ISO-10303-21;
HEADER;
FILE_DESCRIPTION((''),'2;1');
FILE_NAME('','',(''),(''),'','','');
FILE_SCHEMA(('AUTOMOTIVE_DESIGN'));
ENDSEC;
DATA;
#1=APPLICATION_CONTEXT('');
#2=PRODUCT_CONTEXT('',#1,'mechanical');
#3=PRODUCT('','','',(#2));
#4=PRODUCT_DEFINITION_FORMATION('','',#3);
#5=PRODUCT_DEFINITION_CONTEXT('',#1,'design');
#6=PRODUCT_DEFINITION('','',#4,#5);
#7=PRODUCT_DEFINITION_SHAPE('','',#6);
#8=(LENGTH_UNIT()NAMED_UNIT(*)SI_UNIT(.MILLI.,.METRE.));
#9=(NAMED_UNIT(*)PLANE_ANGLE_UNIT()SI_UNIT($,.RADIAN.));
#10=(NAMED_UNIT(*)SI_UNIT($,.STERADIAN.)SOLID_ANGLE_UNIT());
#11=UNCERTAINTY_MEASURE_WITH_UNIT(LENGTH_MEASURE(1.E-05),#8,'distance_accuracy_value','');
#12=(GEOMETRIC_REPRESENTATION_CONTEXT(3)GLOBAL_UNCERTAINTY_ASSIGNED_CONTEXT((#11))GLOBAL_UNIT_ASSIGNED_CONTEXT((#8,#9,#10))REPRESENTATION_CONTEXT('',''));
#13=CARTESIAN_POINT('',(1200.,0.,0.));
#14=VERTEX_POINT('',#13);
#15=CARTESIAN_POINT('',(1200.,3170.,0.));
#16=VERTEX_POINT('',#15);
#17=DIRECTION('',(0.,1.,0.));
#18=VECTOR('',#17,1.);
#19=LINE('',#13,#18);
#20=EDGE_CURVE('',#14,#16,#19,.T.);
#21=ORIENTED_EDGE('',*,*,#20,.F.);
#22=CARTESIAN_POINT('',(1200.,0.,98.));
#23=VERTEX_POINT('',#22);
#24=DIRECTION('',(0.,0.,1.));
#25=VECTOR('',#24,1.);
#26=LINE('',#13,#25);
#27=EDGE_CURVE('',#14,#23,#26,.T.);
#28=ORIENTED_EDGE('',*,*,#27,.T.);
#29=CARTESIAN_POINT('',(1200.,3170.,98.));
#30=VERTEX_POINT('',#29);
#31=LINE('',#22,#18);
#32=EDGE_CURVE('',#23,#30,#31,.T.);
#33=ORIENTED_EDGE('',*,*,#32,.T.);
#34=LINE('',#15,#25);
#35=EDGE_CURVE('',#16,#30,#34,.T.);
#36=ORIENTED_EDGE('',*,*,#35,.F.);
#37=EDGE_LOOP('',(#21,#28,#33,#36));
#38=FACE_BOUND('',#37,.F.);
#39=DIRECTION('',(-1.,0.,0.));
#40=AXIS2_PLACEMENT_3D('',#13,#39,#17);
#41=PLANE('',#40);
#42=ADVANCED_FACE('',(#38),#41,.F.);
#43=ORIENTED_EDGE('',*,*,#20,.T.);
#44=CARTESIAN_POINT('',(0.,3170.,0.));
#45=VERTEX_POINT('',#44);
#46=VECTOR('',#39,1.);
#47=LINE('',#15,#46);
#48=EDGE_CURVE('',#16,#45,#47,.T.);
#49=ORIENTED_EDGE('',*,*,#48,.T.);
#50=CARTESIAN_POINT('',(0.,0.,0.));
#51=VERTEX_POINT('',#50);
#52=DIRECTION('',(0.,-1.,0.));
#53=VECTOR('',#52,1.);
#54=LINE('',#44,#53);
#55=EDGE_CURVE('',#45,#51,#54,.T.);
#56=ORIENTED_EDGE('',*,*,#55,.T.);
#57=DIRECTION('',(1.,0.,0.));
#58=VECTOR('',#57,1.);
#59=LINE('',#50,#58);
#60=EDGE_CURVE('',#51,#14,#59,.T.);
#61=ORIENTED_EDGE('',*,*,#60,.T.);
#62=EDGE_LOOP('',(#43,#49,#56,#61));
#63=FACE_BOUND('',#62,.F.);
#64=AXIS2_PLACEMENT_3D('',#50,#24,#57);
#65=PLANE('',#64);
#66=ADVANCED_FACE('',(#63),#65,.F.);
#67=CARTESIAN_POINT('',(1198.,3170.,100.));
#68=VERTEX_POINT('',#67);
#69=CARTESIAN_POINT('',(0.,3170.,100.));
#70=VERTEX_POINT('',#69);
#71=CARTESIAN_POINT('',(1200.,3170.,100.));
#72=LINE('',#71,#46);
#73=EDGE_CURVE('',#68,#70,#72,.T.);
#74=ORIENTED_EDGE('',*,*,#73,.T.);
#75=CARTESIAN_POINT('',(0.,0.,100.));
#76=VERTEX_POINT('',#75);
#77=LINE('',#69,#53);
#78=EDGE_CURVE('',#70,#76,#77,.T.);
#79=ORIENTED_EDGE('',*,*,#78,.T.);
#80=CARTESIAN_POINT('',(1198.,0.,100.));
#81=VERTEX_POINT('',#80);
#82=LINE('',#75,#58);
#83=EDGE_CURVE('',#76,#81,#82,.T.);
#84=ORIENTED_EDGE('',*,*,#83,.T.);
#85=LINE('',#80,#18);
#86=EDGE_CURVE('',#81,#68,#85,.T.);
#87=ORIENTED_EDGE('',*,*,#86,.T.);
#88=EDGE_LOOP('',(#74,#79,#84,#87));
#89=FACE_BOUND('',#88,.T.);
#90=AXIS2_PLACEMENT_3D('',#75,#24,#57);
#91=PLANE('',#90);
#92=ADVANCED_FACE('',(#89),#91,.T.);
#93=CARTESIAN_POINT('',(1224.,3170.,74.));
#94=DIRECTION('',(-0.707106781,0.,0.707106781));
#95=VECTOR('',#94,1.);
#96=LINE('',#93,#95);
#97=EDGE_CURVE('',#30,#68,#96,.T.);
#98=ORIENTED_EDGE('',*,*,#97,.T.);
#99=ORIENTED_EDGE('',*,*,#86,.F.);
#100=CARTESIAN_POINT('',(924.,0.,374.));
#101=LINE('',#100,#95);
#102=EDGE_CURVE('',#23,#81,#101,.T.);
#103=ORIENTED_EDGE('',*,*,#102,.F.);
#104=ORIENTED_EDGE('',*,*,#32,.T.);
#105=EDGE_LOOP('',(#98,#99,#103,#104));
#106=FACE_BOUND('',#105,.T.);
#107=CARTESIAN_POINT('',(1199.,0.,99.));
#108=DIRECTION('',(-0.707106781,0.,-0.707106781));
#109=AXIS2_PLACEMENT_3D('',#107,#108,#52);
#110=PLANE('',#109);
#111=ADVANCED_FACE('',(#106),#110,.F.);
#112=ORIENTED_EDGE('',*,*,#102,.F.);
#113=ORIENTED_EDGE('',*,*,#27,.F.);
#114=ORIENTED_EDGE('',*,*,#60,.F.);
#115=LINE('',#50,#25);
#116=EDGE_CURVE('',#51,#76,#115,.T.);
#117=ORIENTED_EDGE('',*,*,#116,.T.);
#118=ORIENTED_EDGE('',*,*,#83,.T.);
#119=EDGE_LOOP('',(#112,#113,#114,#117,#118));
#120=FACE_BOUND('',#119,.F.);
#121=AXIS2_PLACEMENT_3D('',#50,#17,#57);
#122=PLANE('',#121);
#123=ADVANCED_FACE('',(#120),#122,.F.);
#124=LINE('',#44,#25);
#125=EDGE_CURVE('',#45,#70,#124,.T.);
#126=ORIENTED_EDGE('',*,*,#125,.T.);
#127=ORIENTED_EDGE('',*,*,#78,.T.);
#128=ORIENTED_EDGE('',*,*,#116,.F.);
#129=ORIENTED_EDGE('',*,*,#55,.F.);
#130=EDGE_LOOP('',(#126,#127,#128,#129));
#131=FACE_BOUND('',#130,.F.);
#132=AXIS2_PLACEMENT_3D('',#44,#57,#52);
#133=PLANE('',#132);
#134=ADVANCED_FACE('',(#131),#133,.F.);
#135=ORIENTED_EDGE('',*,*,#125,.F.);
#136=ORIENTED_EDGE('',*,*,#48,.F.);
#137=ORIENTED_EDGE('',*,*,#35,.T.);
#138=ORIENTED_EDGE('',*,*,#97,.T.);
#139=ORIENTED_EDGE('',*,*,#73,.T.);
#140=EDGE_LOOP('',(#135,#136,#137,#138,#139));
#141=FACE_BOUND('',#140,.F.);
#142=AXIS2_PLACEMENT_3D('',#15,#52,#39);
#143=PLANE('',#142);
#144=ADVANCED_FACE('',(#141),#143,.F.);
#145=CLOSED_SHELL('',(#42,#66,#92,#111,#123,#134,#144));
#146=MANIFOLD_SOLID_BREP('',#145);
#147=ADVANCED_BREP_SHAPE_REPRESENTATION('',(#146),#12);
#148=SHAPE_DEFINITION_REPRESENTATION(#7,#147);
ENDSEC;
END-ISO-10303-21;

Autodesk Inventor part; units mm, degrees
ref_plane "YZ Plane" through (0, 0, 0) normal (1, 0, 0) x (0, 1, 0)
ref_plane "XZ Plane" through (0, 0, 0) normal (0, 1, 0) x (-1, 0, 0)
ref_plane "XY Plane" through (0, 0, 0) normal (0, 0, 1) x (1, 0, 0)
sketch "Sketch1" plane through (0, 0, 0) normal (0, 0, 1) x (1, 0, 0)
  line L0 (0, 0) -> (1200, 0)
  line L1 (1200, 0) -> (1200, 3170)
  line L2 (1200, 3170) -> (0, 3170)
  line L3 (0, 3170) -> (0, 0)
  dimension "d0" = 1200
  dimension "d1" = 3170
extrude "Extrusion1" add sketch "Sketch1" along normal blind 100
chamfer "Chamfer1" distance 2 angle 45 1 edges at (1200, 1585, 100)
properties part number "GnG- -Sandwich wall low"
